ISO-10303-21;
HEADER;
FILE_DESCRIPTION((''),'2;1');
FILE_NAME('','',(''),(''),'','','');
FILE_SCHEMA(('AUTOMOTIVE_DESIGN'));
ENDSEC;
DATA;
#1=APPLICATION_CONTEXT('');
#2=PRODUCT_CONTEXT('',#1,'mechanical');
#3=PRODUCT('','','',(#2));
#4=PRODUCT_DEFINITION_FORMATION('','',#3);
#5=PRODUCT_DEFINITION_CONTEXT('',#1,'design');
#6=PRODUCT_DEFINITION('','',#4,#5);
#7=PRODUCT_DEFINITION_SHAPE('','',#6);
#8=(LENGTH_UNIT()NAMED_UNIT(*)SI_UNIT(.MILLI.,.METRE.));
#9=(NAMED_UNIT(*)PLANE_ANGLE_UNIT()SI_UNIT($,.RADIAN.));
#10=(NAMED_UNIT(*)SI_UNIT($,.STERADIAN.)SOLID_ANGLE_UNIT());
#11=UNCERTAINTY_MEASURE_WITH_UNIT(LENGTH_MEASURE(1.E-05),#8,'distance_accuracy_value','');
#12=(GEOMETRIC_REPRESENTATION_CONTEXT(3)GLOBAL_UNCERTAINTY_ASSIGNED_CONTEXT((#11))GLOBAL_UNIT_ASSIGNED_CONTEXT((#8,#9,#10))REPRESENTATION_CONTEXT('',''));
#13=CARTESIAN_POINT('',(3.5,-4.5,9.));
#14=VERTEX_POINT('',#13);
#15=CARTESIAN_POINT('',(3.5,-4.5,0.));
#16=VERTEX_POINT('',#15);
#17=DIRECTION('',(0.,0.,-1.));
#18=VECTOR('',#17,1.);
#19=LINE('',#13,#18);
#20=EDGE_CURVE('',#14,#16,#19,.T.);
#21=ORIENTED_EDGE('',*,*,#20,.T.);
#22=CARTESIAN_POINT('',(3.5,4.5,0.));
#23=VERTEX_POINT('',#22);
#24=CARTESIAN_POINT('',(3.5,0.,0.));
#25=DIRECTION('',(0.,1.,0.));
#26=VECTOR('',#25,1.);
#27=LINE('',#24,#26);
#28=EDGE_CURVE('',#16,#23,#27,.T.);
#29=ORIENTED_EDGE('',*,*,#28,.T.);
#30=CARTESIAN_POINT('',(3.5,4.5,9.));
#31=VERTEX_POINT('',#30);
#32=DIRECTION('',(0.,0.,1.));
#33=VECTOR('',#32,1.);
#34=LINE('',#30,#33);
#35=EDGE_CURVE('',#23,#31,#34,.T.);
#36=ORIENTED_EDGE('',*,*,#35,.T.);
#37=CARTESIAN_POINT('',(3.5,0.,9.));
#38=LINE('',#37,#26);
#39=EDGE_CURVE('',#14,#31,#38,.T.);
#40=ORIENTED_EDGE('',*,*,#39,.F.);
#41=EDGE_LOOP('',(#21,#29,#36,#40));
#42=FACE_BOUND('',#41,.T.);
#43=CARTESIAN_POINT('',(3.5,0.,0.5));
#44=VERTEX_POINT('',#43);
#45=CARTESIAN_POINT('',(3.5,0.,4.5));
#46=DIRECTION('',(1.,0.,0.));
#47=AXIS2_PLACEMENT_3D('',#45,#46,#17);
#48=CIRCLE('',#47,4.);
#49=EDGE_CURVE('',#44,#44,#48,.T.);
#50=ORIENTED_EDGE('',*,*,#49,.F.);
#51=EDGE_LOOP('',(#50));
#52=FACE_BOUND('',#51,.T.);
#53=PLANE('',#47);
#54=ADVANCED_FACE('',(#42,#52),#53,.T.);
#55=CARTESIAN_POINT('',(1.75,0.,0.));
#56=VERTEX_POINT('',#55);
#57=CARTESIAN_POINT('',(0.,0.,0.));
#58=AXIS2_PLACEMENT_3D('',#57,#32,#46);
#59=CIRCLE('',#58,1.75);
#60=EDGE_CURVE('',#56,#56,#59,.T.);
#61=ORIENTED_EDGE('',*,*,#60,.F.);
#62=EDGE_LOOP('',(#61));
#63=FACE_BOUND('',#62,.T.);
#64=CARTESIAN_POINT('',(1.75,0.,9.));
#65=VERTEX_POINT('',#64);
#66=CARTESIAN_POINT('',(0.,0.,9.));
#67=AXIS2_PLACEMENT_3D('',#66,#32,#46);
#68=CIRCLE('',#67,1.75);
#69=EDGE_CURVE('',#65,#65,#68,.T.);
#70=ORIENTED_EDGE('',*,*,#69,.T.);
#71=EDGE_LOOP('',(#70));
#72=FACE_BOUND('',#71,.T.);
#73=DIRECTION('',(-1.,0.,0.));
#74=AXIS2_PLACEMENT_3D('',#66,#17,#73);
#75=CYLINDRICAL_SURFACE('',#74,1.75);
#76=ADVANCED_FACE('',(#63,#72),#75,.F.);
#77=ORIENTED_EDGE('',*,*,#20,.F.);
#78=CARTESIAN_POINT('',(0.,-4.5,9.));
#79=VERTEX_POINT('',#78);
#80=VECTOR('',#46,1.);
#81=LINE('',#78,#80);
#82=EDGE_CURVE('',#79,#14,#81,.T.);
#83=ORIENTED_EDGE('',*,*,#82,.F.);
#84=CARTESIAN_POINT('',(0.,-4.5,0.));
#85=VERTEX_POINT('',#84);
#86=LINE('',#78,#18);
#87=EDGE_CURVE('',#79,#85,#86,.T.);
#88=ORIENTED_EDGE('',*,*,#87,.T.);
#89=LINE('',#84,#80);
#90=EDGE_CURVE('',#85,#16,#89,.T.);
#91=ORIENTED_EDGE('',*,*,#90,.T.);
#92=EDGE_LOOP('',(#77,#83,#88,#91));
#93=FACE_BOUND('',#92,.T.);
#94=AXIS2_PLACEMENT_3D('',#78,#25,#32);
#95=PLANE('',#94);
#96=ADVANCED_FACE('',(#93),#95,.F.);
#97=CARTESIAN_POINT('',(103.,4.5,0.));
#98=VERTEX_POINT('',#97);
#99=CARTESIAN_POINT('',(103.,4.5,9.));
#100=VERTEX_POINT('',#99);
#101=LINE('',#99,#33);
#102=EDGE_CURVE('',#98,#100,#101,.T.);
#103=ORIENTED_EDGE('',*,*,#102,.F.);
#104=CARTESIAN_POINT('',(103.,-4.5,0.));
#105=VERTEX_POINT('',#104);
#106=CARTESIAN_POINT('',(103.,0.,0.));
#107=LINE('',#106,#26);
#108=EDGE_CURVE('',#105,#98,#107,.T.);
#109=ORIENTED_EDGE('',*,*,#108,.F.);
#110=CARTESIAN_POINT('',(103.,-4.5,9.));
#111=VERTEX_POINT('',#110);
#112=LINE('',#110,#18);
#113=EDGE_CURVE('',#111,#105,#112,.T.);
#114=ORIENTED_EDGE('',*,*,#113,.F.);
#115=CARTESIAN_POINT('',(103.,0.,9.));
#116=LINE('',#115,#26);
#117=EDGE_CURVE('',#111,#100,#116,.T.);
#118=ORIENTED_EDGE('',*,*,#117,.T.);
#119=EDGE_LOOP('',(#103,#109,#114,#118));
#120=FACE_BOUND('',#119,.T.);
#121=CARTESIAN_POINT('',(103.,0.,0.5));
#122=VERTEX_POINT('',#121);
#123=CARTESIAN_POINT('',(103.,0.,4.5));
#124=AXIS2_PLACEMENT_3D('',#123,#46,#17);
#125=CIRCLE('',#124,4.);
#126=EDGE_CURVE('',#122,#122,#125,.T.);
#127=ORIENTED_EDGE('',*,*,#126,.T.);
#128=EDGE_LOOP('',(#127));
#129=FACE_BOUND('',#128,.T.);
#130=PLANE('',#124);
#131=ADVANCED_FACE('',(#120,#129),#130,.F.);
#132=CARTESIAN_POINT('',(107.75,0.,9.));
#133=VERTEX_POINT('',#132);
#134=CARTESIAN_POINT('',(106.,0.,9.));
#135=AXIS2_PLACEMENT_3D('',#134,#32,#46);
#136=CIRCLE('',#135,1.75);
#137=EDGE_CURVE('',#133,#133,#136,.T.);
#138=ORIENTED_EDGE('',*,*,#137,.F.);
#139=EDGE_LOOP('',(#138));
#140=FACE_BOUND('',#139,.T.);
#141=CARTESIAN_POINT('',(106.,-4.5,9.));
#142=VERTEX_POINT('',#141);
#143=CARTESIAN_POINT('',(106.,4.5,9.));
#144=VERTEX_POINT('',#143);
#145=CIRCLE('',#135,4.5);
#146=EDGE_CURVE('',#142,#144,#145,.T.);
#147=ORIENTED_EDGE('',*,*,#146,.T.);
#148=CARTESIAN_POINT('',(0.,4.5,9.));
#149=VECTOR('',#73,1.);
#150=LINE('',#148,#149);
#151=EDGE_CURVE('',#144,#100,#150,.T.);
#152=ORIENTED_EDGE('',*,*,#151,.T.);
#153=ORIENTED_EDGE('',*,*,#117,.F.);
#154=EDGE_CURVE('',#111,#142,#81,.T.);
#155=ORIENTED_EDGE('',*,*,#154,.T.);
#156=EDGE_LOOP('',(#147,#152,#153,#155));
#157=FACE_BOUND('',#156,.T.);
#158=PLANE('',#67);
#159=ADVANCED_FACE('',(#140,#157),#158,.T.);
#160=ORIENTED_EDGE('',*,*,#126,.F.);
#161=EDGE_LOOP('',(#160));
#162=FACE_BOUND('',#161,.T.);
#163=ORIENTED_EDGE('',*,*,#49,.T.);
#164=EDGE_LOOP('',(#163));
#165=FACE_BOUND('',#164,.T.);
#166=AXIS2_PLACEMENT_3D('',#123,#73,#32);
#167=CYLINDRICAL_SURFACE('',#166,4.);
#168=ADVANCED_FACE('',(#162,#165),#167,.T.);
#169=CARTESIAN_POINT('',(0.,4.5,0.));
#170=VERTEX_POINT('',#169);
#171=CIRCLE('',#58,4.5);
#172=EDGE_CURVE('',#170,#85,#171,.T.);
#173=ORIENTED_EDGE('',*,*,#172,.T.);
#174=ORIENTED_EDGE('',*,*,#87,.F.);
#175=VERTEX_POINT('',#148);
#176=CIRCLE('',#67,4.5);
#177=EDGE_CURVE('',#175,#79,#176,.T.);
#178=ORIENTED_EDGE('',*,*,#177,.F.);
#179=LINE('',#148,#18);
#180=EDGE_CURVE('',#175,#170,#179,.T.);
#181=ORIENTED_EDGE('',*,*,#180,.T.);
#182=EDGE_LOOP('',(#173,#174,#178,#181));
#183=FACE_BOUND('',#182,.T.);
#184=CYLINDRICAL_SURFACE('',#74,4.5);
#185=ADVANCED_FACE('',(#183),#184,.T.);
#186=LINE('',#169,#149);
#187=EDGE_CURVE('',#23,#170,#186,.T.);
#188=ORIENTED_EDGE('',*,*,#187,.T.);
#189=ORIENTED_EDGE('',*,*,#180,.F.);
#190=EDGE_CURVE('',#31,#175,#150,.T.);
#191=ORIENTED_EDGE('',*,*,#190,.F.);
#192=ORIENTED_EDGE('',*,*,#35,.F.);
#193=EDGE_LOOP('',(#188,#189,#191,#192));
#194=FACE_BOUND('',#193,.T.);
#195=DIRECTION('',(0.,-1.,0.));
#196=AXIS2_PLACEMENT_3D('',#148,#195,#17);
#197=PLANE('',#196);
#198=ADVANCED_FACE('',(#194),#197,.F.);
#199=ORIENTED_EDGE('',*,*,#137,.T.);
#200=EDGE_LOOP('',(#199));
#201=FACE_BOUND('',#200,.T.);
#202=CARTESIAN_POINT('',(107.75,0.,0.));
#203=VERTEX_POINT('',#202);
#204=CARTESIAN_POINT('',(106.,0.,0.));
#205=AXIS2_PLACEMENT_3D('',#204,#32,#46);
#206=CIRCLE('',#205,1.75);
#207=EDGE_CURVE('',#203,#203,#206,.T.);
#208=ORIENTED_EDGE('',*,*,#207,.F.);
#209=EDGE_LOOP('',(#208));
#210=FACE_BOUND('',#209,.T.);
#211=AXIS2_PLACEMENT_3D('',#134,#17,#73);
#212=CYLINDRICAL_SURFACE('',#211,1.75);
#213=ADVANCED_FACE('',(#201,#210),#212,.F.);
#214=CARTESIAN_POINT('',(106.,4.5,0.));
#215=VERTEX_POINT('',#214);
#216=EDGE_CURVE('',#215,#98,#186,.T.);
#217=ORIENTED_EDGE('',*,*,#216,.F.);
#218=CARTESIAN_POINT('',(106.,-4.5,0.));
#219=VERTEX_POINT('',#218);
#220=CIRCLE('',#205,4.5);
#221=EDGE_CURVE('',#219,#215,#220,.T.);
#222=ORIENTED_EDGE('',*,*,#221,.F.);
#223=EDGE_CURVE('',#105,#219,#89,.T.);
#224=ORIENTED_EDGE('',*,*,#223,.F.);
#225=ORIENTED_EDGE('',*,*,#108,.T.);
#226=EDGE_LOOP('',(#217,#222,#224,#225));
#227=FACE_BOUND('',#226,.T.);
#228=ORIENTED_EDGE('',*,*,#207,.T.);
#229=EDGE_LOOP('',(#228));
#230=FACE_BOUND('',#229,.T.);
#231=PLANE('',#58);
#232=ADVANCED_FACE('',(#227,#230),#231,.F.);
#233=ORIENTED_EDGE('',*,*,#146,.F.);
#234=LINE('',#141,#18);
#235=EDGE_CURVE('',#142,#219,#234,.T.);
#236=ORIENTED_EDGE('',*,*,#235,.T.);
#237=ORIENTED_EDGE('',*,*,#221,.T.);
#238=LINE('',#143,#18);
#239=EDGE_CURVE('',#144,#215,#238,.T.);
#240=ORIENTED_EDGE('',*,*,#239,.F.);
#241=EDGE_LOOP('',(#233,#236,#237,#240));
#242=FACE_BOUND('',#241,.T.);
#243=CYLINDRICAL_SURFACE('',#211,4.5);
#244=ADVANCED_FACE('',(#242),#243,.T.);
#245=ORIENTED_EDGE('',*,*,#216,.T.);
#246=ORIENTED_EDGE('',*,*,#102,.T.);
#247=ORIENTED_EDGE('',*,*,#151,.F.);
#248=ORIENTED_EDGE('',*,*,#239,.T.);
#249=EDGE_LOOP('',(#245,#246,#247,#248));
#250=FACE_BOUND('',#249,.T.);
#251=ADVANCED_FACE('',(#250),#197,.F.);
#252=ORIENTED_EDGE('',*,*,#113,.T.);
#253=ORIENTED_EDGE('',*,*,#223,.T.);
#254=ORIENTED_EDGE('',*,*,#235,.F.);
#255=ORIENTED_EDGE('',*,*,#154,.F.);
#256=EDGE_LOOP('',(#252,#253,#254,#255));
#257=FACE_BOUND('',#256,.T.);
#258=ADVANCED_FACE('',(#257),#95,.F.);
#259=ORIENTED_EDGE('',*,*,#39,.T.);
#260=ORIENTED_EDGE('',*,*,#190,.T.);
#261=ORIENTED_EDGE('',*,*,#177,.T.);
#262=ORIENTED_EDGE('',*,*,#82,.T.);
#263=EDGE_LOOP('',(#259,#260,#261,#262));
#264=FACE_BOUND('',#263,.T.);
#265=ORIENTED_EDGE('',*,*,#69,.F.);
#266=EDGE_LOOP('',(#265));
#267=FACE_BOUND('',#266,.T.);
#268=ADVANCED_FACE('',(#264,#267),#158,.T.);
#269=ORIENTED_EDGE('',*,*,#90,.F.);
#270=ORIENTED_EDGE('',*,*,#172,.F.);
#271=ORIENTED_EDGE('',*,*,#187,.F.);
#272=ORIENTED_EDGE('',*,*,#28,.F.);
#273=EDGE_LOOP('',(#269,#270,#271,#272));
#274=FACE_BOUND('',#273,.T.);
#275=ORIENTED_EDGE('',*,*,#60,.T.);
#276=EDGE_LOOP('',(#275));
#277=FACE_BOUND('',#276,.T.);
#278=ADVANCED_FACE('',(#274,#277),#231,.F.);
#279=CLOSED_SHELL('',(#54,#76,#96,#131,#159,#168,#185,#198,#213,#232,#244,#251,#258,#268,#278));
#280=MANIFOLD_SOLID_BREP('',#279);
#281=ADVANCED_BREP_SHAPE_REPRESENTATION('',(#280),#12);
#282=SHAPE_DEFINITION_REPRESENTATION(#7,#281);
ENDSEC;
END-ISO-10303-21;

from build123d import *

# Parameters (mm, degrees)
SKETCH5_R           = 1.75
BOSS_EXTRUDE3_DEPTH = 9
CUT_EXTRUDE2_START  = 3.5
SKETCH7_R           = 7.5
SKETCH7_R_2         = 4
CUT_EXTRUDE2_DEPTH  = 99.5


with BuildPart() as part:
    # Sketch5 → Boss-Extrude3 (new body)
    with BuildSketch(Plane.XY):
        with BuildLine():
            Line((0, 4.5), (106, 4.5))
            ThreePointArc((106, 4.5), (110.5, 0), (106, -4.5))
            Line((106, -4.5), (0, -4.5))
            ThreePointArc((0, -4.5), (-4.5, 0), (0, 4.5))
        make_face()
        Circle(SKETCH5_R, mode=Mode.SUBTRACT)
        with Locations((106, 0)):
            Circle(SKETCH5_R, mode=Mode.SUBTRACT)
    extrude(amount=BOSS_EXTRUDE3_DEPTH)

    # Sketch7 → Cut-Extrude2 (cut)
    with BuildSketch(Plane(origin=(0, 0, 0), x_dir=(0, 0, -1), z_dir=(1, 0, 0)).offset(CUT_EXTRUDE2_START)):
        with Locations((-4.5, 0)):
            Circle(SKETCH7_R)
        with Locations((-4.5, 0)):
            Circle(SKETCH7_R_2, mode=Mode.SUBTRACT)
    extrude(amount=CUT_EXTRUDE2_DEPTH, mode=Mode.SUBTRACT)


solid = part.part
